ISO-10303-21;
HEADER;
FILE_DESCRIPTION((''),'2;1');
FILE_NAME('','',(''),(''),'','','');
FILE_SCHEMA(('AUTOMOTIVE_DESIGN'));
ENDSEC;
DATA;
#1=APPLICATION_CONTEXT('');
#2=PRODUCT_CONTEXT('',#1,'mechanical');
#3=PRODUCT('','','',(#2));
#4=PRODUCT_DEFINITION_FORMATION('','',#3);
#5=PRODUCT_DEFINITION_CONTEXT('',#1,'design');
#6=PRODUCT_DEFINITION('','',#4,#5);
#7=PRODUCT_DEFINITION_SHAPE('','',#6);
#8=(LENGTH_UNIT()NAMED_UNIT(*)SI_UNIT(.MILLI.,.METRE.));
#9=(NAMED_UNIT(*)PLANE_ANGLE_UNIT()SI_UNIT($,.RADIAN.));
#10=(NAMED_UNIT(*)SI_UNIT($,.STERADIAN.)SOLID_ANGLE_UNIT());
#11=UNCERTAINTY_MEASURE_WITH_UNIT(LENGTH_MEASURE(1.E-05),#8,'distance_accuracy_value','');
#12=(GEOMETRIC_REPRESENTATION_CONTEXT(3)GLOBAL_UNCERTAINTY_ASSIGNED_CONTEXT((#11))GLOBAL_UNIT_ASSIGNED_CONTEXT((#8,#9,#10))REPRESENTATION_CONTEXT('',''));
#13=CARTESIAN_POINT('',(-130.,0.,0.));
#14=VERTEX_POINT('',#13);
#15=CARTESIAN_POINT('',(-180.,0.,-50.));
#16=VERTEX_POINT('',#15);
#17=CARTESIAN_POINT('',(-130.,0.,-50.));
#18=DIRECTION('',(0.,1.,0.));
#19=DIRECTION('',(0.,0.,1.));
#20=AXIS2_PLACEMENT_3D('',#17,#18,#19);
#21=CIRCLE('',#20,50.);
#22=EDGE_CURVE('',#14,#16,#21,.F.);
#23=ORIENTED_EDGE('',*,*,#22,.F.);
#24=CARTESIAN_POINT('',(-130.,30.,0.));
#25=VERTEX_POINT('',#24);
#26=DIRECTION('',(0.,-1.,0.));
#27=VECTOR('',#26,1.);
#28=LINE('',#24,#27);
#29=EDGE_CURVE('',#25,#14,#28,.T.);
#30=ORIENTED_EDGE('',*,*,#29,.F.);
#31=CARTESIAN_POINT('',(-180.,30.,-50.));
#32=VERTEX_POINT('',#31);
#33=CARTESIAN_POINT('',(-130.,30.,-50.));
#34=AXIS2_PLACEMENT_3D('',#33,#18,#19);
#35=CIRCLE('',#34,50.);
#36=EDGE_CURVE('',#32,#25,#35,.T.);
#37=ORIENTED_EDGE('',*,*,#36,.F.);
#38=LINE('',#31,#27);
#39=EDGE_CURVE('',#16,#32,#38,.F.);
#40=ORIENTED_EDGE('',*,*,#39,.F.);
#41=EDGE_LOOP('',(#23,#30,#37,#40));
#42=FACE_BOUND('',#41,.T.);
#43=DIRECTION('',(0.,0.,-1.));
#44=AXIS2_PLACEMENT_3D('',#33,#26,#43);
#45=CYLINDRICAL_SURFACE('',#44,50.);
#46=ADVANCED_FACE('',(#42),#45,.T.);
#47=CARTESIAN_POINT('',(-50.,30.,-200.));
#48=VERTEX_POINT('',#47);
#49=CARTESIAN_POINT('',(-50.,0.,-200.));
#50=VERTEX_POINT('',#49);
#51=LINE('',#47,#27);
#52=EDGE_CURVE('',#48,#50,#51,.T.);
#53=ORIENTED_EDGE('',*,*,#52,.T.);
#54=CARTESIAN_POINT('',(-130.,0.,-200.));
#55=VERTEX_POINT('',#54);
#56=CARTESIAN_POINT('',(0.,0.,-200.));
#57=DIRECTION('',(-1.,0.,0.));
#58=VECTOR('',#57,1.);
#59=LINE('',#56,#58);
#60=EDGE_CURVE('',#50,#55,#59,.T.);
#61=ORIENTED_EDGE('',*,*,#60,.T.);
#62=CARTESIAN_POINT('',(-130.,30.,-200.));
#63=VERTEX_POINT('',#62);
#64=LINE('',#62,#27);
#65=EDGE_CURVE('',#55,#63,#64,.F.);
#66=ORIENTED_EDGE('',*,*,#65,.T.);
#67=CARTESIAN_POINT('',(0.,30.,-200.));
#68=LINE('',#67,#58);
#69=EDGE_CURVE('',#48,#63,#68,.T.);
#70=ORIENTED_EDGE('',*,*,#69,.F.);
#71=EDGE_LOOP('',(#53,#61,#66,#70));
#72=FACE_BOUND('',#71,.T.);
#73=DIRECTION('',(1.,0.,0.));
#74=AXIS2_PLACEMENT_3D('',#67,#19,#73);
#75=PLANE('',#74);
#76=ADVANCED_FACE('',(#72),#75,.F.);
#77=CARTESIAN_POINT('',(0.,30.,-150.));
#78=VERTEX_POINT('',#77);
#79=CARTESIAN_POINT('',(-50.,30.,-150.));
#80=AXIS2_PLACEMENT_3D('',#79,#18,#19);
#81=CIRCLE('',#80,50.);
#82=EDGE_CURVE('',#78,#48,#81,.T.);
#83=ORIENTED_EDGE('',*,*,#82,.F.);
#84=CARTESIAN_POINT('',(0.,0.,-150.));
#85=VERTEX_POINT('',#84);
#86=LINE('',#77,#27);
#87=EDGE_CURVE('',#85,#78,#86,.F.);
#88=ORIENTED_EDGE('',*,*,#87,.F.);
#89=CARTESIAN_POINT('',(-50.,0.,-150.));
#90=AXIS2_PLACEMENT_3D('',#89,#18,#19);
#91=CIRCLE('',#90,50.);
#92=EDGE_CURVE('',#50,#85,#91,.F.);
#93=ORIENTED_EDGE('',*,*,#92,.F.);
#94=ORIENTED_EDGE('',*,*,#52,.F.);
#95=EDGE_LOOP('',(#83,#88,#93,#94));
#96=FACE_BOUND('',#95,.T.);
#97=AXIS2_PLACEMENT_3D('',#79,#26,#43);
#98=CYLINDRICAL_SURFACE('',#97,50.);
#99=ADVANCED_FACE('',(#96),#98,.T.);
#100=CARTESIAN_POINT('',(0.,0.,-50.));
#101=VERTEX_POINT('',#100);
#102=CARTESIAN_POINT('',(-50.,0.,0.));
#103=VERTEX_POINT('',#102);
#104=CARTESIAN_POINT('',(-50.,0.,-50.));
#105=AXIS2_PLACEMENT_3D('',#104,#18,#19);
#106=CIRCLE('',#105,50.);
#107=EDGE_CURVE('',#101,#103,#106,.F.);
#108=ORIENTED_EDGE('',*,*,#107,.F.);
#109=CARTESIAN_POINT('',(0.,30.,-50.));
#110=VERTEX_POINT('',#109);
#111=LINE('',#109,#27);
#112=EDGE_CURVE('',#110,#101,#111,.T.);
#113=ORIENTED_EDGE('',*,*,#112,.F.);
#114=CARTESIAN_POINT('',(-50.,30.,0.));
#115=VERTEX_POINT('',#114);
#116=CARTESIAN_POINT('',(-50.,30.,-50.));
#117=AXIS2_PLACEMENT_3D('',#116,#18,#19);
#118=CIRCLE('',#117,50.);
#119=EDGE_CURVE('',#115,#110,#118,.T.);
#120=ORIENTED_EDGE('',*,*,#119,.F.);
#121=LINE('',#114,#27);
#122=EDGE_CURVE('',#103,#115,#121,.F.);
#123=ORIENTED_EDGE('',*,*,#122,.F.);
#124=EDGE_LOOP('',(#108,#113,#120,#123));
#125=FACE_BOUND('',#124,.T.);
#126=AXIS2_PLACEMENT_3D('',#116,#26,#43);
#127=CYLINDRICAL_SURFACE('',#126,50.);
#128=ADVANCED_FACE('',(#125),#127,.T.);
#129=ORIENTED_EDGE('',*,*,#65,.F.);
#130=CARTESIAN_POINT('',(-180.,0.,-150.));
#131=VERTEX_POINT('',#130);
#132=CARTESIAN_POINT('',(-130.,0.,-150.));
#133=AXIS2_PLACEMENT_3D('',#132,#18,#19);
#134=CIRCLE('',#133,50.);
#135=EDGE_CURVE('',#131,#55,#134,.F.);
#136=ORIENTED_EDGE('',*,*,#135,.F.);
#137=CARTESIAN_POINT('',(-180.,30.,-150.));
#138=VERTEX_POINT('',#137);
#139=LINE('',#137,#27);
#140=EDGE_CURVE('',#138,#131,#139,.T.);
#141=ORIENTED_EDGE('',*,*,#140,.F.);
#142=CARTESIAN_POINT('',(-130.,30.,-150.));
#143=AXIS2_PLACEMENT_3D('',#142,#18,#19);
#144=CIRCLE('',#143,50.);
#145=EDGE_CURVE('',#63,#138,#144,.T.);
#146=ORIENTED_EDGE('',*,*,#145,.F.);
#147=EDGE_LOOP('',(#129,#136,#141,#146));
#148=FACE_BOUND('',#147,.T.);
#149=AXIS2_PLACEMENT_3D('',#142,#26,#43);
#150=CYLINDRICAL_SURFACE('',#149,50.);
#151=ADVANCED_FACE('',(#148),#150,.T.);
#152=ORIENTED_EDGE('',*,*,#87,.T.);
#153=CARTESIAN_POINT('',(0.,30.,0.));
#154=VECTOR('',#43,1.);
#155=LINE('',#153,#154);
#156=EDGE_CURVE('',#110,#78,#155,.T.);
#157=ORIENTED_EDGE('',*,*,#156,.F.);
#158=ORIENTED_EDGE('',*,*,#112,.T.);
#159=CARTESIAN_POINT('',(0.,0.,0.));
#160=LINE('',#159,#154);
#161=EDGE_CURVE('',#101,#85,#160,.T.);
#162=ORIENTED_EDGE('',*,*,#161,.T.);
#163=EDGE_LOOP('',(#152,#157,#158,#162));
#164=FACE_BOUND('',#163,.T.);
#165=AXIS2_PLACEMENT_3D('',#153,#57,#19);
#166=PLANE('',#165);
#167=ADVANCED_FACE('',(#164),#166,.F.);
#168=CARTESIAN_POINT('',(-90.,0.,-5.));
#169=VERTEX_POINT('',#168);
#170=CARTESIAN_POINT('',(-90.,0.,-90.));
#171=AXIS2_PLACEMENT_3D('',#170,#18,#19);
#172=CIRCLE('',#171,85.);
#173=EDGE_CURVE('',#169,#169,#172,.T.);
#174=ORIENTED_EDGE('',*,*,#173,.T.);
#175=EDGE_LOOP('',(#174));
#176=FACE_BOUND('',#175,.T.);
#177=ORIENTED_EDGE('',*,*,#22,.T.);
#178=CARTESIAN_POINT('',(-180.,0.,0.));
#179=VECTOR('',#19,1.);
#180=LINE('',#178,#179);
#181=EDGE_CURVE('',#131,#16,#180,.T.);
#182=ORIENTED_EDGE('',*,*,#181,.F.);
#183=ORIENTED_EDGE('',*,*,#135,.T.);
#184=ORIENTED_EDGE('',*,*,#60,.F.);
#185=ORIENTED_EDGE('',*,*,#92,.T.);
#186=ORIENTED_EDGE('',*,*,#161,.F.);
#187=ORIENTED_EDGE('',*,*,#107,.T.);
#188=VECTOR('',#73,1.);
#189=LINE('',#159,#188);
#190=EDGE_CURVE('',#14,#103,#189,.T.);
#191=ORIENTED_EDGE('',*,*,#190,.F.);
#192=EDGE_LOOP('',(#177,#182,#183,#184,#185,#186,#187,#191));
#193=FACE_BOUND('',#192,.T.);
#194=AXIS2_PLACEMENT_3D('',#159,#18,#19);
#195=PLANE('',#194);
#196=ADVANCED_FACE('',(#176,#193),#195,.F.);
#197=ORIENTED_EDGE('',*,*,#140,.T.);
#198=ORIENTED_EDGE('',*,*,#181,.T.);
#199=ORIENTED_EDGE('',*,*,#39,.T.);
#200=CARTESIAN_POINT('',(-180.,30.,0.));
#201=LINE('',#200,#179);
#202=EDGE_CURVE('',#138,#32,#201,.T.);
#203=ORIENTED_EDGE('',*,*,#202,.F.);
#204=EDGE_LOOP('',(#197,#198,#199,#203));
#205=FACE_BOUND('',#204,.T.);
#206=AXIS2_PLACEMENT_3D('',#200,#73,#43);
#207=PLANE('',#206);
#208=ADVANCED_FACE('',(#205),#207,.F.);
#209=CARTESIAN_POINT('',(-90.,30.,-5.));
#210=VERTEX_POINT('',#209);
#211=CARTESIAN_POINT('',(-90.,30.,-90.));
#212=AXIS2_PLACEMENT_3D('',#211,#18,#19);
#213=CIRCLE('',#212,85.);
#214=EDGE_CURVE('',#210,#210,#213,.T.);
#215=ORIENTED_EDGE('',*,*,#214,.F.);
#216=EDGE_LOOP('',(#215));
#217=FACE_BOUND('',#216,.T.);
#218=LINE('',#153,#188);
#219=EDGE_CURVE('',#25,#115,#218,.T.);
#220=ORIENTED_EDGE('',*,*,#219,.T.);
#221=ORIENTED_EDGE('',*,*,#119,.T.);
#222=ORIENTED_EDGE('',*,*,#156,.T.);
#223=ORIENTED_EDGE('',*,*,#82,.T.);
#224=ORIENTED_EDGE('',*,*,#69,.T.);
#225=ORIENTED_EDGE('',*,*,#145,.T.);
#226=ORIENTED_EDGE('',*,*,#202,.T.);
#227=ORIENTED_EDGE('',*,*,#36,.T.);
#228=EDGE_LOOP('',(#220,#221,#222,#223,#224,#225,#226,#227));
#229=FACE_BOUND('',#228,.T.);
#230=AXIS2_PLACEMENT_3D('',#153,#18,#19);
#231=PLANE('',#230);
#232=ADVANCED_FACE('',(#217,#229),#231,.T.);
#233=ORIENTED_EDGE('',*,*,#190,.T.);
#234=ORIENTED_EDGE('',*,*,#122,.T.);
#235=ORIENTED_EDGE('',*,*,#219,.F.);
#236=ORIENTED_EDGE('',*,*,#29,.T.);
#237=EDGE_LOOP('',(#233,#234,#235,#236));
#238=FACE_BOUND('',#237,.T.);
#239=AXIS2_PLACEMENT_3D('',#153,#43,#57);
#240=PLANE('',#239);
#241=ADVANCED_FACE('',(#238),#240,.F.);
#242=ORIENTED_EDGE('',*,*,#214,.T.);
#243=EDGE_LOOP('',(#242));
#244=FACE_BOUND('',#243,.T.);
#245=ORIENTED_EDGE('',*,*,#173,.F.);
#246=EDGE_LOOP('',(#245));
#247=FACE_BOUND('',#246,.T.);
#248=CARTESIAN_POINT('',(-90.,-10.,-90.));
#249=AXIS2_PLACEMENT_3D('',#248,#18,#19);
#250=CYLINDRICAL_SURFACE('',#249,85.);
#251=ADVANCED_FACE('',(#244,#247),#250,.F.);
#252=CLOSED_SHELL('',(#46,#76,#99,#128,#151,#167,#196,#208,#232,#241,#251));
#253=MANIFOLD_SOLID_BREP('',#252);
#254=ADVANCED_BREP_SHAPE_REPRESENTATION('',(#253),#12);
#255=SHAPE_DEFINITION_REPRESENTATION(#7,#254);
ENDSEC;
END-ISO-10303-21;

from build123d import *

# Parameters (mm, degrees)
SKETCH1_W           = 180
SKETCH1_H           = 200
BOSS_EXTRUDE1_DEPTH = 30
SKETCH7_R           = 85
CUT_EXTRUDE1_DEPTH  = 40
FILLET1_R           = 50
FILLET2_R           = 50
FILLET3_R           = 50
FILLET4_R           = 50


with BuildPart() as part:
    # Sketch1 → Boss-Extrude1 (new body)
    with BuildSketch(Plane(origin=(0, 0, 0), x_dir=(1, 0, 0), z_dir=(0, 1, 0))):
        with Locations((-90, 100)):
            Rectangle(SKETCH1_W, SKETCH1_H)
    extrude(amount=BOSS_EXTRUDE1_DEPTH)

    # Sketch7 → Cut-Extrude1 (cut)
    with BuildSketch(Plane(origin=(0, 30, 0), x_dir=(1, 0, 0), z_dir=(0, 1, 0))):
        with Locations(Location((-90, 90, 0), (0, 0, 270))):
            Circle(SKETCH7_R)
    extrude(amount=-CUT_EXTRUDE1_DEPTH, mode=Mode.SUBTRACT)

    # Fillet1
    fillet1_edges = [part.edges().sort_by_distance(p)[0] for p in [
        (0, 15, -200),
    ]]
    fillet(fillet1_edges, radius=FILLET1_R)

    # Fillet2
    fillet2_edges = [part.edges().sort_by_distance(p)[0] for p in [
        (0, 15, 0),
    ]]
    fillet(fillet2_edges, radius=FILLET2_R)

    # Fillet3
    fillet3_edges = [part.edges().sort_by_distance(p)[0] for p in [
        (-180, 15, 0),
    ]]
    fillet(fillet3_edges, radius=FILLET3_R)

    # Fillet4
    fillet4_edges = [part.edges().sort_by_distance(p)[0] for p in [
        (-180, 15, -200),
    ]]
    fillet(fillet4_edges, radius=FILLET4_R)


solid = part.part
